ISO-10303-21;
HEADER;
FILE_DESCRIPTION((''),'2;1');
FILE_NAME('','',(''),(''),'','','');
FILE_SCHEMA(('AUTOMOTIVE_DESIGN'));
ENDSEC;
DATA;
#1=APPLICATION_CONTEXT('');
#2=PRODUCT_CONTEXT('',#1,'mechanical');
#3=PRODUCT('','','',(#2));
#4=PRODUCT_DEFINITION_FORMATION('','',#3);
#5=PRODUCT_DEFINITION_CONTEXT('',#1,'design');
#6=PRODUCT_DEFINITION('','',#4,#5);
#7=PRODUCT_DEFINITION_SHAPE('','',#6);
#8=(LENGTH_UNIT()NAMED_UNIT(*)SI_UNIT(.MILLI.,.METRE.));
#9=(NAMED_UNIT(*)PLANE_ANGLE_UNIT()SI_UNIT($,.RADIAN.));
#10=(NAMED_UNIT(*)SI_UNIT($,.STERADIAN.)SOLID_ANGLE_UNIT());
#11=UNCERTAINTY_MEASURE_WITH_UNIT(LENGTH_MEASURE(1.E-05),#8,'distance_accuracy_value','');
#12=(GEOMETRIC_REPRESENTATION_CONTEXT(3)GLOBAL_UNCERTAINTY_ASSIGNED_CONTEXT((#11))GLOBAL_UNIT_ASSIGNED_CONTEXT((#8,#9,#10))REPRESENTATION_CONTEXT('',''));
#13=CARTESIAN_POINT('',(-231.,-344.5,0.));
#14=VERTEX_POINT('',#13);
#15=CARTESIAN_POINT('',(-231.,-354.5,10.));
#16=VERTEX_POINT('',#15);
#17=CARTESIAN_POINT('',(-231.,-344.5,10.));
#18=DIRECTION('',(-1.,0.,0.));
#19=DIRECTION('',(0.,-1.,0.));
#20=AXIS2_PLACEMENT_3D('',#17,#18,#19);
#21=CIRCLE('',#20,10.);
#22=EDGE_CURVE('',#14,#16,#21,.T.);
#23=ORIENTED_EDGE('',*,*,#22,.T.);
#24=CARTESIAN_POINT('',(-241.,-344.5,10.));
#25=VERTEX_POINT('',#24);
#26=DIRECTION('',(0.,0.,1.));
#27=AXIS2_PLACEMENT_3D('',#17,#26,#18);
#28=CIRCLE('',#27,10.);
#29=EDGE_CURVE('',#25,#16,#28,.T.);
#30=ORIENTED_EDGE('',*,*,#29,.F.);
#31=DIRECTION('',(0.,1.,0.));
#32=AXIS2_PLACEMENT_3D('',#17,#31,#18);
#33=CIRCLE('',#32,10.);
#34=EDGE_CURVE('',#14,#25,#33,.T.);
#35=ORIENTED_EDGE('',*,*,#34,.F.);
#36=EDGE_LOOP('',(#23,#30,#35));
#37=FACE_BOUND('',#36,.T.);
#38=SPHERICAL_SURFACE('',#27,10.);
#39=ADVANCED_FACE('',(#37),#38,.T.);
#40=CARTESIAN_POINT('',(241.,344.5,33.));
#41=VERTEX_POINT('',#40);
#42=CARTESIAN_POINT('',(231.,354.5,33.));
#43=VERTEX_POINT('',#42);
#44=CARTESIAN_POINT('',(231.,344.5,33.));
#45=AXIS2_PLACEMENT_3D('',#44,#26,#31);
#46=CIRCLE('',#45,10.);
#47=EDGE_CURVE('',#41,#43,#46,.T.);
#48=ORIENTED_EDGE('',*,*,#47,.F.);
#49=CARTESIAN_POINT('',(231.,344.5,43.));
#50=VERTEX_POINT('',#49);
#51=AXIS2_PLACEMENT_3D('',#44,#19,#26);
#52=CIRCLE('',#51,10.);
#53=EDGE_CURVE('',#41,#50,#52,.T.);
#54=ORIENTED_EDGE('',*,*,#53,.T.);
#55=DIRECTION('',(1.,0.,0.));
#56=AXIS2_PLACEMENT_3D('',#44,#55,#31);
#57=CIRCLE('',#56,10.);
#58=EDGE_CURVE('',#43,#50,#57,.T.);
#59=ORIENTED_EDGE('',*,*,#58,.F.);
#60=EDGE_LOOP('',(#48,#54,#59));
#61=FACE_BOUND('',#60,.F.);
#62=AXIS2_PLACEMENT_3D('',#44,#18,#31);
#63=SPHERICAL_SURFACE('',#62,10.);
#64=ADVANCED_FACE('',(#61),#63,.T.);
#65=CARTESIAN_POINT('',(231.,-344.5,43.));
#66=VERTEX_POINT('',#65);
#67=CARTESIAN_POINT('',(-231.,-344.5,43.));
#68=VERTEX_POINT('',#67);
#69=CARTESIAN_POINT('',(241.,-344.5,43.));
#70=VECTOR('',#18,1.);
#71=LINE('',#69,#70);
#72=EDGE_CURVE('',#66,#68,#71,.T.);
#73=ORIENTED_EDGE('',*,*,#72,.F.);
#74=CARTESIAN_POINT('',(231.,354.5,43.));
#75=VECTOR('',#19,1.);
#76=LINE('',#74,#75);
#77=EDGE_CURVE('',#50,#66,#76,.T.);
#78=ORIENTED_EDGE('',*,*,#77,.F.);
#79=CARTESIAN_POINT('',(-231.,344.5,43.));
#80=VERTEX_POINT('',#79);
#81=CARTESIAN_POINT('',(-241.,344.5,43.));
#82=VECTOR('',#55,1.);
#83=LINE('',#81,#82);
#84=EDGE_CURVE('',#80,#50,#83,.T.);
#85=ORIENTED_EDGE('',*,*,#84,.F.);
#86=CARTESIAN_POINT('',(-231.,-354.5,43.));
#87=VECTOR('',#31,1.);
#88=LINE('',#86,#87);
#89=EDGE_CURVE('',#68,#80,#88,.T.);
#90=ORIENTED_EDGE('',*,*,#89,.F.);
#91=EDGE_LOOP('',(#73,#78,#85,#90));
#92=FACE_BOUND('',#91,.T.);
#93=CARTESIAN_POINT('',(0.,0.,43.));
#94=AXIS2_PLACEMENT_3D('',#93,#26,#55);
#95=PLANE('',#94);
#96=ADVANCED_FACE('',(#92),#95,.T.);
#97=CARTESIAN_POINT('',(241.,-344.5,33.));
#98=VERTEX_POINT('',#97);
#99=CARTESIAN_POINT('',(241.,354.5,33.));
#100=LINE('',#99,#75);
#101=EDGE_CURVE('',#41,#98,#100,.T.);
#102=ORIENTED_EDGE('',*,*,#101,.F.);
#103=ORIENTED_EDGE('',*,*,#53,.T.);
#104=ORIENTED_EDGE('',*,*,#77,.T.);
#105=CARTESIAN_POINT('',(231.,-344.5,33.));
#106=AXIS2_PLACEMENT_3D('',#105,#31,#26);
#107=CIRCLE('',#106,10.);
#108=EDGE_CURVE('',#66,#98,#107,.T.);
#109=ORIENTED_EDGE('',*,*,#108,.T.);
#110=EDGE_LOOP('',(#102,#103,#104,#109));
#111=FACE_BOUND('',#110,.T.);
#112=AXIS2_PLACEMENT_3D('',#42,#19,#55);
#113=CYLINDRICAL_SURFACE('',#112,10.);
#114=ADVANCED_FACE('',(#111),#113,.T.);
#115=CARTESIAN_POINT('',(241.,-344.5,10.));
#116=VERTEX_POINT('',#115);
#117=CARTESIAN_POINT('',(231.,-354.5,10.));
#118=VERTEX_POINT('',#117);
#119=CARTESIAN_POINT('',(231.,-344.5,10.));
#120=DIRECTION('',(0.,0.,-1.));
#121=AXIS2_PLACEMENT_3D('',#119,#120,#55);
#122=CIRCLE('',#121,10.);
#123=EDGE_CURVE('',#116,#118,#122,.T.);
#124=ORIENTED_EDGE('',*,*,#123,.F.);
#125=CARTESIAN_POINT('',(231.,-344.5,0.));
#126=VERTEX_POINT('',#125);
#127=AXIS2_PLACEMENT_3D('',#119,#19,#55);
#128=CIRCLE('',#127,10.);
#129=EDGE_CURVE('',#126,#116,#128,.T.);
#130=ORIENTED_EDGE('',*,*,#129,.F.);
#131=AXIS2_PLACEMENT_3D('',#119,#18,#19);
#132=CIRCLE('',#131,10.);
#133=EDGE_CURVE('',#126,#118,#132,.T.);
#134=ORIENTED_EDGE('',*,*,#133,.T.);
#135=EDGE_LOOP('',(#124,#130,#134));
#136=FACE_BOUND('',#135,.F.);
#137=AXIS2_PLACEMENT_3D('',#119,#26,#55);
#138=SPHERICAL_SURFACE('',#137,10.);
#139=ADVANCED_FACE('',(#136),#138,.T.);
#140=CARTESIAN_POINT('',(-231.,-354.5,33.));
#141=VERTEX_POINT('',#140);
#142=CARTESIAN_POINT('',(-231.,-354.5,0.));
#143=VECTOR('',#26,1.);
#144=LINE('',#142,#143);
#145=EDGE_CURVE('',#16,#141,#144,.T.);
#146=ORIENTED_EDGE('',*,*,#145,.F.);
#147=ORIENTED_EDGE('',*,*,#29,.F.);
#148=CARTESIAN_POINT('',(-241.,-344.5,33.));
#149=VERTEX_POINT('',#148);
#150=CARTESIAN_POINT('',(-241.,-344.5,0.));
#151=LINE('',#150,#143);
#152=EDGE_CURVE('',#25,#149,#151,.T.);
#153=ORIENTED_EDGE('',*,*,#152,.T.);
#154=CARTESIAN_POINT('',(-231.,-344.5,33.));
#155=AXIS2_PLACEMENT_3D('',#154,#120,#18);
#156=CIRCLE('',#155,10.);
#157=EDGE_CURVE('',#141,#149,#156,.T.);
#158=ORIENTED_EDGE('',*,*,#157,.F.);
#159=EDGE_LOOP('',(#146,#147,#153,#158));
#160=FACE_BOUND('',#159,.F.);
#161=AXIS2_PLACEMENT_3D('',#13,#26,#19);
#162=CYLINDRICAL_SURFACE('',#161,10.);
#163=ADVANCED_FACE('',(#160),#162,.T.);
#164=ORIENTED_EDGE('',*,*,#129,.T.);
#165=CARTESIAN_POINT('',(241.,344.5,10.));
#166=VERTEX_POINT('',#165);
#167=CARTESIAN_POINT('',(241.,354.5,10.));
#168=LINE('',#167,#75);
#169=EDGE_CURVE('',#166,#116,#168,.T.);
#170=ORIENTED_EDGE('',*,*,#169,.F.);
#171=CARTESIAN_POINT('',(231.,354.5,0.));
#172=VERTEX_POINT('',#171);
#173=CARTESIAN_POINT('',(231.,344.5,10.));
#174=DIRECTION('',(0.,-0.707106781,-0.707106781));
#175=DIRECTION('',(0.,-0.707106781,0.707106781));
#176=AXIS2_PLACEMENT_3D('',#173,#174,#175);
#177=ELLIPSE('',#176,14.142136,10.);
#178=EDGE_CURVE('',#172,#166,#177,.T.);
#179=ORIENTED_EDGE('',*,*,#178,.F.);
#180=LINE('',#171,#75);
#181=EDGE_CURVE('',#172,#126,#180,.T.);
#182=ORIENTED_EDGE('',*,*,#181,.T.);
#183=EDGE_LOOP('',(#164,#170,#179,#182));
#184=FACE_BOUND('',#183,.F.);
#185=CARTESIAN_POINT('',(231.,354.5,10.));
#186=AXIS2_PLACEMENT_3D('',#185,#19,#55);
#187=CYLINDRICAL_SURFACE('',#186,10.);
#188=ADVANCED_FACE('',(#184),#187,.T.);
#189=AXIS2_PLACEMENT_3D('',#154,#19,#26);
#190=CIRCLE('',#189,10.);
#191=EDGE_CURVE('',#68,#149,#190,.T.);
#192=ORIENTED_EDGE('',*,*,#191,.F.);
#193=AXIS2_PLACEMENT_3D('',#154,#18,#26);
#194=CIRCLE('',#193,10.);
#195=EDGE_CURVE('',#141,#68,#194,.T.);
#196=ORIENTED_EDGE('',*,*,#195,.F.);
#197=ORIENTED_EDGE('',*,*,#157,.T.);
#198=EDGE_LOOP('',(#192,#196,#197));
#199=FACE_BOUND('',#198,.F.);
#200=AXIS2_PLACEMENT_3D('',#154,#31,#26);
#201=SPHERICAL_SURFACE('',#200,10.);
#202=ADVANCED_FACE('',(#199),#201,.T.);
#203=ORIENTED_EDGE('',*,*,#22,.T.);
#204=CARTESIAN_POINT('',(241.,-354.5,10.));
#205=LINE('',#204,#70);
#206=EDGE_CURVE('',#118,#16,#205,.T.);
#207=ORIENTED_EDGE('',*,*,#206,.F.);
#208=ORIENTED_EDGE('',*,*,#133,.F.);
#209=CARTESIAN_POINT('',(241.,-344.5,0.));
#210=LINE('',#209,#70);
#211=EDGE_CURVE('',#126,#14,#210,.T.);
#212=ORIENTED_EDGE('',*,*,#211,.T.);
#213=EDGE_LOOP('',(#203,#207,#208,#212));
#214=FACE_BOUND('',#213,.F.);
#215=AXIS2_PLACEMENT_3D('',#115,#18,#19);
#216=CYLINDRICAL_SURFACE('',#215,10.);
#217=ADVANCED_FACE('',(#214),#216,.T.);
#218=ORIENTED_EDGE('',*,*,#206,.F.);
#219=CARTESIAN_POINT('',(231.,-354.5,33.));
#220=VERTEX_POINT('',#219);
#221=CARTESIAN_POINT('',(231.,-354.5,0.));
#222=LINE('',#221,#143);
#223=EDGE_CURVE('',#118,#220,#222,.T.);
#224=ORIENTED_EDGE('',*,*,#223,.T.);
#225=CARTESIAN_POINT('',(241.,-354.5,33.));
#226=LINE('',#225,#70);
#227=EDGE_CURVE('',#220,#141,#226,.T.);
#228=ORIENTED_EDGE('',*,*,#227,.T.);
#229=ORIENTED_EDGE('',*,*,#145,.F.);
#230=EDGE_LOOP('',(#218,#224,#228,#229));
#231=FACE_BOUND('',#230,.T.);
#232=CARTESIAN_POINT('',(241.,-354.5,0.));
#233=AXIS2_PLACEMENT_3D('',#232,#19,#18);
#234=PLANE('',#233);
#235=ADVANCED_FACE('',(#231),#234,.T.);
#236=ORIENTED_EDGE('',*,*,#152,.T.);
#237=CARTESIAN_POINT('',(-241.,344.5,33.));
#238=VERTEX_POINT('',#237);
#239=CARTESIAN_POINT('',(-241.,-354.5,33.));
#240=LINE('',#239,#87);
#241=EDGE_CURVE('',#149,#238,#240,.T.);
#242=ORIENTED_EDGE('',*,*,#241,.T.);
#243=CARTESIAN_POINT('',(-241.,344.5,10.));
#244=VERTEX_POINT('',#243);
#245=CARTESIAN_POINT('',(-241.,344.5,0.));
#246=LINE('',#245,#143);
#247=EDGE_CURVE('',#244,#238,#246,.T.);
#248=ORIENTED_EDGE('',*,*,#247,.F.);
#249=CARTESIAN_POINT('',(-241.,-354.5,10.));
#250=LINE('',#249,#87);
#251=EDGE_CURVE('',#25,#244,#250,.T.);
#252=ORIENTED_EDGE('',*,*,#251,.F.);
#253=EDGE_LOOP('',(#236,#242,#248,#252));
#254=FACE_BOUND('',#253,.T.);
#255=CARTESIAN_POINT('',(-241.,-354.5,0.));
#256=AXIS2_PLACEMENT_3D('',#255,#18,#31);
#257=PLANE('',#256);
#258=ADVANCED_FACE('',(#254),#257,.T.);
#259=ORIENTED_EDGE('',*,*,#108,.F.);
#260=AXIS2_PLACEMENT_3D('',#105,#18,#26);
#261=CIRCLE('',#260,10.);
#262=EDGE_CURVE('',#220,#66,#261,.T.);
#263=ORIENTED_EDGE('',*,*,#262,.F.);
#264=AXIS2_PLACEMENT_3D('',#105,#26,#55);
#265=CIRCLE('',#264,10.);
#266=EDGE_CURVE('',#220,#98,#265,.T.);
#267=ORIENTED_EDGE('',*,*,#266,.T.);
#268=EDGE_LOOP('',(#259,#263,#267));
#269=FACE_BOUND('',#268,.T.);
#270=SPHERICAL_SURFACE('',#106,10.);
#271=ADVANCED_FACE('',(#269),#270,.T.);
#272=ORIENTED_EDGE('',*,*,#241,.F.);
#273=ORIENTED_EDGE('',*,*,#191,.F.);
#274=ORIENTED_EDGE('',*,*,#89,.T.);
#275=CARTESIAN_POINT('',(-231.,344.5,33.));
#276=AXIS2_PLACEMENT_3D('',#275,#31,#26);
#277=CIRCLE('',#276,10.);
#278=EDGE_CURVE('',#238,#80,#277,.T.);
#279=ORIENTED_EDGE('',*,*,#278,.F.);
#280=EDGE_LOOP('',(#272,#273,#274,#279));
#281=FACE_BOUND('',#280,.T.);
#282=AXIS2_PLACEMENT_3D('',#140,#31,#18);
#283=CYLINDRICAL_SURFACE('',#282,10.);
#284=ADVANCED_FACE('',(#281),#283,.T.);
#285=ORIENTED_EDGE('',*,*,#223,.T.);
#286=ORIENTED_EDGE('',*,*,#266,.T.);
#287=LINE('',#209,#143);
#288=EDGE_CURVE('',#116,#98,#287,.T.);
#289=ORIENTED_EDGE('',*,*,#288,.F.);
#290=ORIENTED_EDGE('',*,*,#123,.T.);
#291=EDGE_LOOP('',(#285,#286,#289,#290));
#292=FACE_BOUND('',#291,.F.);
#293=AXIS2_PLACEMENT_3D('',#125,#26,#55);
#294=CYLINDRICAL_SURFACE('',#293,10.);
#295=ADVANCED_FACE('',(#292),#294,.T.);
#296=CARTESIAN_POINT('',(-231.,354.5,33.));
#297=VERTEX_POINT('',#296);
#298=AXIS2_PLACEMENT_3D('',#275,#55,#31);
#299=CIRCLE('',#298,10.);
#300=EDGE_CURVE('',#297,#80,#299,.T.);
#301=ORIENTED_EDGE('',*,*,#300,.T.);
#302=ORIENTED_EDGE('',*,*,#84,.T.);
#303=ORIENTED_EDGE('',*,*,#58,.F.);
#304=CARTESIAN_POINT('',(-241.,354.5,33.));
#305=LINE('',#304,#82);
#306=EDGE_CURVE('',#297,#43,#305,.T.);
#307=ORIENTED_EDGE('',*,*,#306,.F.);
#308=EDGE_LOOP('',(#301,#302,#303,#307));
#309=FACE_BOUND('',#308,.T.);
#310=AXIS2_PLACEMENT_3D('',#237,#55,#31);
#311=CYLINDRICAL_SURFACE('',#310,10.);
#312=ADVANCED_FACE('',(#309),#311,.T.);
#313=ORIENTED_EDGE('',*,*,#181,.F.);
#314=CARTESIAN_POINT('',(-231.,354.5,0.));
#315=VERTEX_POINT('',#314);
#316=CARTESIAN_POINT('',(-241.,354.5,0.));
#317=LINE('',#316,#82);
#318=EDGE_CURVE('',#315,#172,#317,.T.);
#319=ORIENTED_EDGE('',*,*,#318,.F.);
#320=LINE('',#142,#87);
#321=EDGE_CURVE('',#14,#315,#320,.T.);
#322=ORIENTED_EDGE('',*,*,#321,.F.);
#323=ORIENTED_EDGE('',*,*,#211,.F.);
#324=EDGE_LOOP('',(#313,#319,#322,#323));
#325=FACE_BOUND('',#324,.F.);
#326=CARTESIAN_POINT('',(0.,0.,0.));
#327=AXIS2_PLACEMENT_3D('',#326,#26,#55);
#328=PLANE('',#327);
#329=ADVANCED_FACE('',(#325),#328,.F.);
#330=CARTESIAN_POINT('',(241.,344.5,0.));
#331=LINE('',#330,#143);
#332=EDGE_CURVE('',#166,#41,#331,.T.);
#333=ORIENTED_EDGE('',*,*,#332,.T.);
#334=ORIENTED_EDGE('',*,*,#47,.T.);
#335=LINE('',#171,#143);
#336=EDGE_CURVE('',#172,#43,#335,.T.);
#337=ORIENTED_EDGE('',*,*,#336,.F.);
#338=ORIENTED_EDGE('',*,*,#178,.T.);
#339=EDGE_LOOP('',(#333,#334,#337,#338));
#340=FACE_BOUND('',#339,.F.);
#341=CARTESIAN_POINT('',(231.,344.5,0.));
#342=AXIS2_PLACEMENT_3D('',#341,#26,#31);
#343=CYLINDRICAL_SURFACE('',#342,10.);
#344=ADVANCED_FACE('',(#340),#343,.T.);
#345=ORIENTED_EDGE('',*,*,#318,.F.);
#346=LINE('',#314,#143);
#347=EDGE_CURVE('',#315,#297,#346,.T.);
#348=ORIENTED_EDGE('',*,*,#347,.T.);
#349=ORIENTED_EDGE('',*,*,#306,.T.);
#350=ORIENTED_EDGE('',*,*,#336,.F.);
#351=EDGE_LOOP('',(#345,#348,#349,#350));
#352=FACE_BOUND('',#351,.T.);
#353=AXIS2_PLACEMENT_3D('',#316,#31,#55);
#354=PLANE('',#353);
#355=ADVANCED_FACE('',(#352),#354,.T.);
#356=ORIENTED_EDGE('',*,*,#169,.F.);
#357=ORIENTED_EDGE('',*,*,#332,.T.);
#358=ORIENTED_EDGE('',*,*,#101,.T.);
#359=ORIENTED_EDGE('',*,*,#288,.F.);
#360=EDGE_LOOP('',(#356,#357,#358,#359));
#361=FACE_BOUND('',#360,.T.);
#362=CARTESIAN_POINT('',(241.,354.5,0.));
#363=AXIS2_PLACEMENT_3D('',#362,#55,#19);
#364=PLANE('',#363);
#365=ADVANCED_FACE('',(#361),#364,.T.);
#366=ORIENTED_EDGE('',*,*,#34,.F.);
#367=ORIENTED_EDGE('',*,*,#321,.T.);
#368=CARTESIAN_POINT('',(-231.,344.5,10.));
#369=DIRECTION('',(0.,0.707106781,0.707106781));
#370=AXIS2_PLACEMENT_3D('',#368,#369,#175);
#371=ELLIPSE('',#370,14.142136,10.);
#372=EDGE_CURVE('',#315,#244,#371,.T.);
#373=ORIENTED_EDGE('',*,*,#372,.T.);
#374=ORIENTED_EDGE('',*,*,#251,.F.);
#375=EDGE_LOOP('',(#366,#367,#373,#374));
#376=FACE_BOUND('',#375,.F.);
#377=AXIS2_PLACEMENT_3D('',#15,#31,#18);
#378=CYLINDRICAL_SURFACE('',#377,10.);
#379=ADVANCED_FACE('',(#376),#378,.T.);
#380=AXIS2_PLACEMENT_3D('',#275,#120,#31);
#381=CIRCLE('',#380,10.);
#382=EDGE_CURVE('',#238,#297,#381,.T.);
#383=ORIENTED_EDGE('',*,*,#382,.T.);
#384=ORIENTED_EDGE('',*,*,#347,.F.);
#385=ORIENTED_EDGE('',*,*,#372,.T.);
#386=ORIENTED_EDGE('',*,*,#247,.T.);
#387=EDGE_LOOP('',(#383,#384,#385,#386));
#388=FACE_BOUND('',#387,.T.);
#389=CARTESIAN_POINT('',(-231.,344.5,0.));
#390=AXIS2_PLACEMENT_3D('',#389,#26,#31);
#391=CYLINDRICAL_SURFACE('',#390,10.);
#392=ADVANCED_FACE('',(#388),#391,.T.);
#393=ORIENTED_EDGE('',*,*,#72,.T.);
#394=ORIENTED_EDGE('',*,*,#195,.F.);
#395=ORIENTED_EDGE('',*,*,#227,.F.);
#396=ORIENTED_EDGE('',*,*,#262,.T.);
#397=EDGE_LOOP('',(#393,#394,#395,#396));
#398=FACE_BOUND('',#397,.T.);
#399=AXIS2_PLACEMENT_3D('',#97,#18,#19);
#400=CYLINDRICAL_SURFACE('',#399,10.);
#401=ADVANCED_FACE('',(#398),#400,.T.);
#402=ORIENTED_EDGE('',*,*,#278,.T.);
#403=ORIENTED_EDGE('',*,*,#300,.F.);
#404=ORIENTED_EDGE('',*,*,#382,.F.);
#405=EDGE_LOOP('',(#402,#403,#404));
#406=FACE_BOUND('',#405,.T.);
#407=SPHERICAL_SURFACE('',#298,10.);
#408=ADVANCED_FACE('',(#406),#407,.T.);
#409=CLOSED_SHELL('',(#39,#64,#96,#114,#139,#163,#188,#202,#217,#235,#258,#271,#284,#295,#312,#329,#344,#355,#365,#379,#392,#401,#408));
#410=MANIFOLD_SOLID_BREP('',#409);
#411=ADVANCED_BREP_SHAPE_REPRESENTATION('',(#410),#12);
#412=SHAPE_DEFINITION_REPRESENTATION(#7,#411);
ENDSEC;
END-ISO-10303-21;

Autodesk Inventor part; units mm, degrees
ref_plane "YZ Plane" through (0, 0, 0) normal (1, 0, 0) x (0, 1, 0)
ref_plane "XZ Plane" through (0, 0, 0) normal (0, 1, 0) x (-1, 0, 0)
ref_plane "XY Plane" through (0, 0, 0) normal (0, 0, 1) x (1, 0, 0)
sketch "スケッチ1" plane through (0, 0, 0) normal (0, 0, 1) x (1, 0, 0)
  line L0 (-241, 354.5) -> (241, 354.5)
  line L1 (241, 354.5) -> (241, -354.5)
  line L2 (241, -354.5) -> (-241, -354.5)
  line L3 (-241, -354.5) -> (-241, 354.5)
  line L4 (-241, 354.5) -> (241, -354.5) construction
  line L5 (241, 354.5) -> (-241, -354.5) construction
  point P0 (0, 0)
  dimension "d0" = 482
  dimension "d1" = 709
extrude "押し出し1" add sketch "スケッチ1" along normal blind 43
fillet "フィレット1" radius 10 11 edges at (0, 354.5, 43) (241, 354.5, 21.5) (-241, 354.5, 21.5) (-241, 0, 43) (241, 0, 43) (0, -354.5, 43) (241, -354.5, 21.5) (-241, -354.5, 21.5) (-241, 0, 0) (241, 0, 0) (0, -354.5, 0)
properties part number "lowerDoor"
